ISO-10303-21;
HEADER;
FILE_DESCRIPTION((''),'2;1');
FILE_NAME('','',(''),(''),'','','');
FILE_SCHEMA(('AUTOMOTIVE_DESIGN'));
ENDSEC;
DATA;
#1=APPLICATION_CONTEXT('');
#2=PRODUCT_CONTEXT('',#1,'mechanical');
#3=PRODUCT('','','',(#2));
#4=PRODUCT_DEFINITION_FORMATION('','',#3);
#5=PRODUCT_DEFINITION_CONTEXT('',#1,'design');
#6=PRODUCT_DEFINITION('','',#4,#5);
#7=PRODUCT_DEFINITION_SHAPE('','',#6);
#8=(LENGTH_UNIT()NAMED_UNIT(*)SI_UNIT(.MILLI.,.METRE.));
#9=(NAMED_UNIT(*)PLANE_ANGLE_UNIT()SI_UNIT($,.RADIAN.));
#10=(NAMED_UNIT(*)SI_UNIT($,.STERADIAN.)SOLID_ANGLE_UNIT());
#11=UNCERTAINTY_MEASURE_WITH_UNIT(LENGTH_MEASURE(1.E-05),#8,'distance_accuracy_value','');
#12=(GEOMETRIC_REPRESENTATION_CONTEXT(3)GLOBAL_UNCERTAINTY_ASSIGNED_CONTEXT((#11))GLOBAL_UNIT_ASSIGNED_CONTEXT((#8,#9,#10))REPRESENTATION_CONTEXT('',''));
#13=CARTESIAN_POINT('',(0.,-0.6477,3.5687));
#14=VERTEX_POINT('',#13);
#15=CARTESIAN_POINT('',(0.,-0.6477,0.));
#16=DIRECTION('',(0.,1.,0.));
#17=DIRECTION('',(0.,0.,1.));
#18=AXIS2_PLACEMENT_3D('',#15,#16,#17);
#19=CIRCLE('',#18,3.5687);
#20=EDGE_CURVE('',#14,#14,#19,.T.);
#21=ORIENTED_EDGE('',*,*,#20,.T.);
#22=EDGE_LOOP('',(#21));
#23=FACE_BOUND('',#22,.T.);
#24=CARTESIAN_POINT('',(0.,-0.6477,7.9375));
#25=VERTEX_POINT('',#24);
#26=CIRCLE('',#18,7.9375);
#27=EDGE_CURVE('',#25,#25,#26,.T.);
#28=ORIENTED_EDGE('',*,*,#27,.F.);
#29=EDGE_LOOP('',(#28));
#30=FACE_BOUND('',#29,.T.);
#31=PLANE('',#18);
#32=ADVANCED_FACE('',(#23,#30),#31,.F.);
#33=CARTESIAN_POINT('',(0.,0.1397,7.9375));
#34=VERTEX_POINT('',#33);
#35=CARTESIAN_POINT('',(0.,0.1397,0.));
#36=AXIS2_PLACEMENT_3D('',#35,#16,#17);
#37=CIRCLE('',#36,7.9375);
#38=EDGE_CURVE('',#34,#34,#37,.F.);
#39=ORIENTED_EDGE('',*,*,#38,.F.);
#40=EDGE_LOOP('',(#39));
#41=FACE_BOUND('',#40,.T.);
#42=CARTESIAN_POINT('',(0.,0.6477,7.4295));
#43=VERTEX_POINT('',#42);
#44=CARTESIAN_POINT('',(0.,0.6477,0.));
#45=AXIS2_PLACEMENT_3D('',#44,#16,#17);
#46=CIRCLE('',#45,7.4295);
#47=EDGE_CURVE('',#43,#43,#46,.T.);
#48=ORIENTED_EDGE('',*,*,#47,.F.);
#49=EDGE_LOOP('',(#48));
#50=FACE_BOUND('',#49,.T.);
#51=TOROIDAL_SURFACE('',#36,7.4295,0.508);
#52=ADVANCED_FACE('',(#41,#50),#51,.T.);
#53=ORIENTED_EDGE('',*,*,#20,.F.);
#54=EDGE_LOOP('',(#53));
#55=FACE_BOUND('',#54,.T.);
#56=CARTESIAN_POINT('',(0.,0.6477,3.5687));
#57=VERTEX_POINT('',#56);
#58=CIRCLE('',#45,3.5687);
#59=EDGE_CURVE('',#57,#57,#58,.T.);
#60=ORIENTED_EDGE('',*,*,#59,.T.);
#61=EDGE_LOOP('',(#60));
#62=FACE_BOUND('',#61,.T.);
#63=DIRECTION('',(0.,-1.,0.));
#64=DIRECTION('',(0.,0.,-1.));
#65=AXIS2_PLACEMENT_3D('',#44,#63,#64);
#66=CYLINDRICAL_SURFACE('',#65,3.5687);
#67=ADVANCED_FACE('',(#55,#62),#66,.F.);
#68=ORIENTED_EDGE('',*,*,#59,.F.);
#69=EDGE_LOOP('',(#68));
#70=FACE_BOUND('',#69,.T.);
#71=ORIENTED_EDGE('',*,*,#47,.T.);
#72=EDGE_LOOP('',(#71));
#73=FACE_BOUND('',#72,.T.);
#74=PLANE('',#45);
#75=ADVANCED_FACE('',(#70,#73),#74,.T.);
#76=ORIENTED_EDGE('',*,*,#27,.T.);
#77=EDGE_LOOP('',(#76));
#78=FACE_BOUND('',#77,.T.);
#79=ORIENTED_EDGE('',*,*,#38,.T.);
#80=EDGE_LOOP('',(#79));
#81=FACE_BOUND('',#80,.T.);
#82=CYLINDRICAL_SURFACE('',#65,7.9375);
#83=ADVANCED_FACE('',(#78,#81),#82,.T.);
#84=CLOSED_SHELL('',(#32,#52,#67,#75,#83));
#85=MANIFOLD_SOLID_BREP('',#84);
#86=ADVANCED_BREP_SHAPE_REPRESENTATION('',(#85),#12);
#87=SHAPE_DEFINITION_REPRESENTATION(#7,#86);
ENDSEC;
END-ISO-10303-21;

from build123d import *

# Parameters (mm, degrees)
SKETCH3_R                = 7.9375
SKETCH3_R_2              = 3.5687
BOSS_EXTRUDE1_DEPTH      = 0.6477
BOSS_EXTRUDE1_DEPTH_BACK = 0.6477
FILLET1_R                = 0.508


with BuildPart() as part:
    # Sketch3 → Boss-Extrude1 (new body, two sides)
    with BuildSketch(Plane(origin=(0, 0, 0), x_dir=(1, 0, 0), z_dir=(0, 1, 0))) as boss_extrude1_sk:
        Circle(SKETCH3_R)
        Circle(SKETCH3_R_2, mode=Mode.SUBTRACT)
    extrude(amount=BOSS_EXTRUDE1_DEPTH)
    extrude(boss_extrude1_sk.sketch, amount=-BOSS_EXTRUDE1_DEPTH_BACK)

    # Fillet1
    fillet1_edges = [part.edges().sort_by_distance(p)[0] for p in [
        (-7.9375, 0.6477, 0),
    ]]
    fillet(fillet1_edges, radius=FILLET1_R)


solid = part.part
